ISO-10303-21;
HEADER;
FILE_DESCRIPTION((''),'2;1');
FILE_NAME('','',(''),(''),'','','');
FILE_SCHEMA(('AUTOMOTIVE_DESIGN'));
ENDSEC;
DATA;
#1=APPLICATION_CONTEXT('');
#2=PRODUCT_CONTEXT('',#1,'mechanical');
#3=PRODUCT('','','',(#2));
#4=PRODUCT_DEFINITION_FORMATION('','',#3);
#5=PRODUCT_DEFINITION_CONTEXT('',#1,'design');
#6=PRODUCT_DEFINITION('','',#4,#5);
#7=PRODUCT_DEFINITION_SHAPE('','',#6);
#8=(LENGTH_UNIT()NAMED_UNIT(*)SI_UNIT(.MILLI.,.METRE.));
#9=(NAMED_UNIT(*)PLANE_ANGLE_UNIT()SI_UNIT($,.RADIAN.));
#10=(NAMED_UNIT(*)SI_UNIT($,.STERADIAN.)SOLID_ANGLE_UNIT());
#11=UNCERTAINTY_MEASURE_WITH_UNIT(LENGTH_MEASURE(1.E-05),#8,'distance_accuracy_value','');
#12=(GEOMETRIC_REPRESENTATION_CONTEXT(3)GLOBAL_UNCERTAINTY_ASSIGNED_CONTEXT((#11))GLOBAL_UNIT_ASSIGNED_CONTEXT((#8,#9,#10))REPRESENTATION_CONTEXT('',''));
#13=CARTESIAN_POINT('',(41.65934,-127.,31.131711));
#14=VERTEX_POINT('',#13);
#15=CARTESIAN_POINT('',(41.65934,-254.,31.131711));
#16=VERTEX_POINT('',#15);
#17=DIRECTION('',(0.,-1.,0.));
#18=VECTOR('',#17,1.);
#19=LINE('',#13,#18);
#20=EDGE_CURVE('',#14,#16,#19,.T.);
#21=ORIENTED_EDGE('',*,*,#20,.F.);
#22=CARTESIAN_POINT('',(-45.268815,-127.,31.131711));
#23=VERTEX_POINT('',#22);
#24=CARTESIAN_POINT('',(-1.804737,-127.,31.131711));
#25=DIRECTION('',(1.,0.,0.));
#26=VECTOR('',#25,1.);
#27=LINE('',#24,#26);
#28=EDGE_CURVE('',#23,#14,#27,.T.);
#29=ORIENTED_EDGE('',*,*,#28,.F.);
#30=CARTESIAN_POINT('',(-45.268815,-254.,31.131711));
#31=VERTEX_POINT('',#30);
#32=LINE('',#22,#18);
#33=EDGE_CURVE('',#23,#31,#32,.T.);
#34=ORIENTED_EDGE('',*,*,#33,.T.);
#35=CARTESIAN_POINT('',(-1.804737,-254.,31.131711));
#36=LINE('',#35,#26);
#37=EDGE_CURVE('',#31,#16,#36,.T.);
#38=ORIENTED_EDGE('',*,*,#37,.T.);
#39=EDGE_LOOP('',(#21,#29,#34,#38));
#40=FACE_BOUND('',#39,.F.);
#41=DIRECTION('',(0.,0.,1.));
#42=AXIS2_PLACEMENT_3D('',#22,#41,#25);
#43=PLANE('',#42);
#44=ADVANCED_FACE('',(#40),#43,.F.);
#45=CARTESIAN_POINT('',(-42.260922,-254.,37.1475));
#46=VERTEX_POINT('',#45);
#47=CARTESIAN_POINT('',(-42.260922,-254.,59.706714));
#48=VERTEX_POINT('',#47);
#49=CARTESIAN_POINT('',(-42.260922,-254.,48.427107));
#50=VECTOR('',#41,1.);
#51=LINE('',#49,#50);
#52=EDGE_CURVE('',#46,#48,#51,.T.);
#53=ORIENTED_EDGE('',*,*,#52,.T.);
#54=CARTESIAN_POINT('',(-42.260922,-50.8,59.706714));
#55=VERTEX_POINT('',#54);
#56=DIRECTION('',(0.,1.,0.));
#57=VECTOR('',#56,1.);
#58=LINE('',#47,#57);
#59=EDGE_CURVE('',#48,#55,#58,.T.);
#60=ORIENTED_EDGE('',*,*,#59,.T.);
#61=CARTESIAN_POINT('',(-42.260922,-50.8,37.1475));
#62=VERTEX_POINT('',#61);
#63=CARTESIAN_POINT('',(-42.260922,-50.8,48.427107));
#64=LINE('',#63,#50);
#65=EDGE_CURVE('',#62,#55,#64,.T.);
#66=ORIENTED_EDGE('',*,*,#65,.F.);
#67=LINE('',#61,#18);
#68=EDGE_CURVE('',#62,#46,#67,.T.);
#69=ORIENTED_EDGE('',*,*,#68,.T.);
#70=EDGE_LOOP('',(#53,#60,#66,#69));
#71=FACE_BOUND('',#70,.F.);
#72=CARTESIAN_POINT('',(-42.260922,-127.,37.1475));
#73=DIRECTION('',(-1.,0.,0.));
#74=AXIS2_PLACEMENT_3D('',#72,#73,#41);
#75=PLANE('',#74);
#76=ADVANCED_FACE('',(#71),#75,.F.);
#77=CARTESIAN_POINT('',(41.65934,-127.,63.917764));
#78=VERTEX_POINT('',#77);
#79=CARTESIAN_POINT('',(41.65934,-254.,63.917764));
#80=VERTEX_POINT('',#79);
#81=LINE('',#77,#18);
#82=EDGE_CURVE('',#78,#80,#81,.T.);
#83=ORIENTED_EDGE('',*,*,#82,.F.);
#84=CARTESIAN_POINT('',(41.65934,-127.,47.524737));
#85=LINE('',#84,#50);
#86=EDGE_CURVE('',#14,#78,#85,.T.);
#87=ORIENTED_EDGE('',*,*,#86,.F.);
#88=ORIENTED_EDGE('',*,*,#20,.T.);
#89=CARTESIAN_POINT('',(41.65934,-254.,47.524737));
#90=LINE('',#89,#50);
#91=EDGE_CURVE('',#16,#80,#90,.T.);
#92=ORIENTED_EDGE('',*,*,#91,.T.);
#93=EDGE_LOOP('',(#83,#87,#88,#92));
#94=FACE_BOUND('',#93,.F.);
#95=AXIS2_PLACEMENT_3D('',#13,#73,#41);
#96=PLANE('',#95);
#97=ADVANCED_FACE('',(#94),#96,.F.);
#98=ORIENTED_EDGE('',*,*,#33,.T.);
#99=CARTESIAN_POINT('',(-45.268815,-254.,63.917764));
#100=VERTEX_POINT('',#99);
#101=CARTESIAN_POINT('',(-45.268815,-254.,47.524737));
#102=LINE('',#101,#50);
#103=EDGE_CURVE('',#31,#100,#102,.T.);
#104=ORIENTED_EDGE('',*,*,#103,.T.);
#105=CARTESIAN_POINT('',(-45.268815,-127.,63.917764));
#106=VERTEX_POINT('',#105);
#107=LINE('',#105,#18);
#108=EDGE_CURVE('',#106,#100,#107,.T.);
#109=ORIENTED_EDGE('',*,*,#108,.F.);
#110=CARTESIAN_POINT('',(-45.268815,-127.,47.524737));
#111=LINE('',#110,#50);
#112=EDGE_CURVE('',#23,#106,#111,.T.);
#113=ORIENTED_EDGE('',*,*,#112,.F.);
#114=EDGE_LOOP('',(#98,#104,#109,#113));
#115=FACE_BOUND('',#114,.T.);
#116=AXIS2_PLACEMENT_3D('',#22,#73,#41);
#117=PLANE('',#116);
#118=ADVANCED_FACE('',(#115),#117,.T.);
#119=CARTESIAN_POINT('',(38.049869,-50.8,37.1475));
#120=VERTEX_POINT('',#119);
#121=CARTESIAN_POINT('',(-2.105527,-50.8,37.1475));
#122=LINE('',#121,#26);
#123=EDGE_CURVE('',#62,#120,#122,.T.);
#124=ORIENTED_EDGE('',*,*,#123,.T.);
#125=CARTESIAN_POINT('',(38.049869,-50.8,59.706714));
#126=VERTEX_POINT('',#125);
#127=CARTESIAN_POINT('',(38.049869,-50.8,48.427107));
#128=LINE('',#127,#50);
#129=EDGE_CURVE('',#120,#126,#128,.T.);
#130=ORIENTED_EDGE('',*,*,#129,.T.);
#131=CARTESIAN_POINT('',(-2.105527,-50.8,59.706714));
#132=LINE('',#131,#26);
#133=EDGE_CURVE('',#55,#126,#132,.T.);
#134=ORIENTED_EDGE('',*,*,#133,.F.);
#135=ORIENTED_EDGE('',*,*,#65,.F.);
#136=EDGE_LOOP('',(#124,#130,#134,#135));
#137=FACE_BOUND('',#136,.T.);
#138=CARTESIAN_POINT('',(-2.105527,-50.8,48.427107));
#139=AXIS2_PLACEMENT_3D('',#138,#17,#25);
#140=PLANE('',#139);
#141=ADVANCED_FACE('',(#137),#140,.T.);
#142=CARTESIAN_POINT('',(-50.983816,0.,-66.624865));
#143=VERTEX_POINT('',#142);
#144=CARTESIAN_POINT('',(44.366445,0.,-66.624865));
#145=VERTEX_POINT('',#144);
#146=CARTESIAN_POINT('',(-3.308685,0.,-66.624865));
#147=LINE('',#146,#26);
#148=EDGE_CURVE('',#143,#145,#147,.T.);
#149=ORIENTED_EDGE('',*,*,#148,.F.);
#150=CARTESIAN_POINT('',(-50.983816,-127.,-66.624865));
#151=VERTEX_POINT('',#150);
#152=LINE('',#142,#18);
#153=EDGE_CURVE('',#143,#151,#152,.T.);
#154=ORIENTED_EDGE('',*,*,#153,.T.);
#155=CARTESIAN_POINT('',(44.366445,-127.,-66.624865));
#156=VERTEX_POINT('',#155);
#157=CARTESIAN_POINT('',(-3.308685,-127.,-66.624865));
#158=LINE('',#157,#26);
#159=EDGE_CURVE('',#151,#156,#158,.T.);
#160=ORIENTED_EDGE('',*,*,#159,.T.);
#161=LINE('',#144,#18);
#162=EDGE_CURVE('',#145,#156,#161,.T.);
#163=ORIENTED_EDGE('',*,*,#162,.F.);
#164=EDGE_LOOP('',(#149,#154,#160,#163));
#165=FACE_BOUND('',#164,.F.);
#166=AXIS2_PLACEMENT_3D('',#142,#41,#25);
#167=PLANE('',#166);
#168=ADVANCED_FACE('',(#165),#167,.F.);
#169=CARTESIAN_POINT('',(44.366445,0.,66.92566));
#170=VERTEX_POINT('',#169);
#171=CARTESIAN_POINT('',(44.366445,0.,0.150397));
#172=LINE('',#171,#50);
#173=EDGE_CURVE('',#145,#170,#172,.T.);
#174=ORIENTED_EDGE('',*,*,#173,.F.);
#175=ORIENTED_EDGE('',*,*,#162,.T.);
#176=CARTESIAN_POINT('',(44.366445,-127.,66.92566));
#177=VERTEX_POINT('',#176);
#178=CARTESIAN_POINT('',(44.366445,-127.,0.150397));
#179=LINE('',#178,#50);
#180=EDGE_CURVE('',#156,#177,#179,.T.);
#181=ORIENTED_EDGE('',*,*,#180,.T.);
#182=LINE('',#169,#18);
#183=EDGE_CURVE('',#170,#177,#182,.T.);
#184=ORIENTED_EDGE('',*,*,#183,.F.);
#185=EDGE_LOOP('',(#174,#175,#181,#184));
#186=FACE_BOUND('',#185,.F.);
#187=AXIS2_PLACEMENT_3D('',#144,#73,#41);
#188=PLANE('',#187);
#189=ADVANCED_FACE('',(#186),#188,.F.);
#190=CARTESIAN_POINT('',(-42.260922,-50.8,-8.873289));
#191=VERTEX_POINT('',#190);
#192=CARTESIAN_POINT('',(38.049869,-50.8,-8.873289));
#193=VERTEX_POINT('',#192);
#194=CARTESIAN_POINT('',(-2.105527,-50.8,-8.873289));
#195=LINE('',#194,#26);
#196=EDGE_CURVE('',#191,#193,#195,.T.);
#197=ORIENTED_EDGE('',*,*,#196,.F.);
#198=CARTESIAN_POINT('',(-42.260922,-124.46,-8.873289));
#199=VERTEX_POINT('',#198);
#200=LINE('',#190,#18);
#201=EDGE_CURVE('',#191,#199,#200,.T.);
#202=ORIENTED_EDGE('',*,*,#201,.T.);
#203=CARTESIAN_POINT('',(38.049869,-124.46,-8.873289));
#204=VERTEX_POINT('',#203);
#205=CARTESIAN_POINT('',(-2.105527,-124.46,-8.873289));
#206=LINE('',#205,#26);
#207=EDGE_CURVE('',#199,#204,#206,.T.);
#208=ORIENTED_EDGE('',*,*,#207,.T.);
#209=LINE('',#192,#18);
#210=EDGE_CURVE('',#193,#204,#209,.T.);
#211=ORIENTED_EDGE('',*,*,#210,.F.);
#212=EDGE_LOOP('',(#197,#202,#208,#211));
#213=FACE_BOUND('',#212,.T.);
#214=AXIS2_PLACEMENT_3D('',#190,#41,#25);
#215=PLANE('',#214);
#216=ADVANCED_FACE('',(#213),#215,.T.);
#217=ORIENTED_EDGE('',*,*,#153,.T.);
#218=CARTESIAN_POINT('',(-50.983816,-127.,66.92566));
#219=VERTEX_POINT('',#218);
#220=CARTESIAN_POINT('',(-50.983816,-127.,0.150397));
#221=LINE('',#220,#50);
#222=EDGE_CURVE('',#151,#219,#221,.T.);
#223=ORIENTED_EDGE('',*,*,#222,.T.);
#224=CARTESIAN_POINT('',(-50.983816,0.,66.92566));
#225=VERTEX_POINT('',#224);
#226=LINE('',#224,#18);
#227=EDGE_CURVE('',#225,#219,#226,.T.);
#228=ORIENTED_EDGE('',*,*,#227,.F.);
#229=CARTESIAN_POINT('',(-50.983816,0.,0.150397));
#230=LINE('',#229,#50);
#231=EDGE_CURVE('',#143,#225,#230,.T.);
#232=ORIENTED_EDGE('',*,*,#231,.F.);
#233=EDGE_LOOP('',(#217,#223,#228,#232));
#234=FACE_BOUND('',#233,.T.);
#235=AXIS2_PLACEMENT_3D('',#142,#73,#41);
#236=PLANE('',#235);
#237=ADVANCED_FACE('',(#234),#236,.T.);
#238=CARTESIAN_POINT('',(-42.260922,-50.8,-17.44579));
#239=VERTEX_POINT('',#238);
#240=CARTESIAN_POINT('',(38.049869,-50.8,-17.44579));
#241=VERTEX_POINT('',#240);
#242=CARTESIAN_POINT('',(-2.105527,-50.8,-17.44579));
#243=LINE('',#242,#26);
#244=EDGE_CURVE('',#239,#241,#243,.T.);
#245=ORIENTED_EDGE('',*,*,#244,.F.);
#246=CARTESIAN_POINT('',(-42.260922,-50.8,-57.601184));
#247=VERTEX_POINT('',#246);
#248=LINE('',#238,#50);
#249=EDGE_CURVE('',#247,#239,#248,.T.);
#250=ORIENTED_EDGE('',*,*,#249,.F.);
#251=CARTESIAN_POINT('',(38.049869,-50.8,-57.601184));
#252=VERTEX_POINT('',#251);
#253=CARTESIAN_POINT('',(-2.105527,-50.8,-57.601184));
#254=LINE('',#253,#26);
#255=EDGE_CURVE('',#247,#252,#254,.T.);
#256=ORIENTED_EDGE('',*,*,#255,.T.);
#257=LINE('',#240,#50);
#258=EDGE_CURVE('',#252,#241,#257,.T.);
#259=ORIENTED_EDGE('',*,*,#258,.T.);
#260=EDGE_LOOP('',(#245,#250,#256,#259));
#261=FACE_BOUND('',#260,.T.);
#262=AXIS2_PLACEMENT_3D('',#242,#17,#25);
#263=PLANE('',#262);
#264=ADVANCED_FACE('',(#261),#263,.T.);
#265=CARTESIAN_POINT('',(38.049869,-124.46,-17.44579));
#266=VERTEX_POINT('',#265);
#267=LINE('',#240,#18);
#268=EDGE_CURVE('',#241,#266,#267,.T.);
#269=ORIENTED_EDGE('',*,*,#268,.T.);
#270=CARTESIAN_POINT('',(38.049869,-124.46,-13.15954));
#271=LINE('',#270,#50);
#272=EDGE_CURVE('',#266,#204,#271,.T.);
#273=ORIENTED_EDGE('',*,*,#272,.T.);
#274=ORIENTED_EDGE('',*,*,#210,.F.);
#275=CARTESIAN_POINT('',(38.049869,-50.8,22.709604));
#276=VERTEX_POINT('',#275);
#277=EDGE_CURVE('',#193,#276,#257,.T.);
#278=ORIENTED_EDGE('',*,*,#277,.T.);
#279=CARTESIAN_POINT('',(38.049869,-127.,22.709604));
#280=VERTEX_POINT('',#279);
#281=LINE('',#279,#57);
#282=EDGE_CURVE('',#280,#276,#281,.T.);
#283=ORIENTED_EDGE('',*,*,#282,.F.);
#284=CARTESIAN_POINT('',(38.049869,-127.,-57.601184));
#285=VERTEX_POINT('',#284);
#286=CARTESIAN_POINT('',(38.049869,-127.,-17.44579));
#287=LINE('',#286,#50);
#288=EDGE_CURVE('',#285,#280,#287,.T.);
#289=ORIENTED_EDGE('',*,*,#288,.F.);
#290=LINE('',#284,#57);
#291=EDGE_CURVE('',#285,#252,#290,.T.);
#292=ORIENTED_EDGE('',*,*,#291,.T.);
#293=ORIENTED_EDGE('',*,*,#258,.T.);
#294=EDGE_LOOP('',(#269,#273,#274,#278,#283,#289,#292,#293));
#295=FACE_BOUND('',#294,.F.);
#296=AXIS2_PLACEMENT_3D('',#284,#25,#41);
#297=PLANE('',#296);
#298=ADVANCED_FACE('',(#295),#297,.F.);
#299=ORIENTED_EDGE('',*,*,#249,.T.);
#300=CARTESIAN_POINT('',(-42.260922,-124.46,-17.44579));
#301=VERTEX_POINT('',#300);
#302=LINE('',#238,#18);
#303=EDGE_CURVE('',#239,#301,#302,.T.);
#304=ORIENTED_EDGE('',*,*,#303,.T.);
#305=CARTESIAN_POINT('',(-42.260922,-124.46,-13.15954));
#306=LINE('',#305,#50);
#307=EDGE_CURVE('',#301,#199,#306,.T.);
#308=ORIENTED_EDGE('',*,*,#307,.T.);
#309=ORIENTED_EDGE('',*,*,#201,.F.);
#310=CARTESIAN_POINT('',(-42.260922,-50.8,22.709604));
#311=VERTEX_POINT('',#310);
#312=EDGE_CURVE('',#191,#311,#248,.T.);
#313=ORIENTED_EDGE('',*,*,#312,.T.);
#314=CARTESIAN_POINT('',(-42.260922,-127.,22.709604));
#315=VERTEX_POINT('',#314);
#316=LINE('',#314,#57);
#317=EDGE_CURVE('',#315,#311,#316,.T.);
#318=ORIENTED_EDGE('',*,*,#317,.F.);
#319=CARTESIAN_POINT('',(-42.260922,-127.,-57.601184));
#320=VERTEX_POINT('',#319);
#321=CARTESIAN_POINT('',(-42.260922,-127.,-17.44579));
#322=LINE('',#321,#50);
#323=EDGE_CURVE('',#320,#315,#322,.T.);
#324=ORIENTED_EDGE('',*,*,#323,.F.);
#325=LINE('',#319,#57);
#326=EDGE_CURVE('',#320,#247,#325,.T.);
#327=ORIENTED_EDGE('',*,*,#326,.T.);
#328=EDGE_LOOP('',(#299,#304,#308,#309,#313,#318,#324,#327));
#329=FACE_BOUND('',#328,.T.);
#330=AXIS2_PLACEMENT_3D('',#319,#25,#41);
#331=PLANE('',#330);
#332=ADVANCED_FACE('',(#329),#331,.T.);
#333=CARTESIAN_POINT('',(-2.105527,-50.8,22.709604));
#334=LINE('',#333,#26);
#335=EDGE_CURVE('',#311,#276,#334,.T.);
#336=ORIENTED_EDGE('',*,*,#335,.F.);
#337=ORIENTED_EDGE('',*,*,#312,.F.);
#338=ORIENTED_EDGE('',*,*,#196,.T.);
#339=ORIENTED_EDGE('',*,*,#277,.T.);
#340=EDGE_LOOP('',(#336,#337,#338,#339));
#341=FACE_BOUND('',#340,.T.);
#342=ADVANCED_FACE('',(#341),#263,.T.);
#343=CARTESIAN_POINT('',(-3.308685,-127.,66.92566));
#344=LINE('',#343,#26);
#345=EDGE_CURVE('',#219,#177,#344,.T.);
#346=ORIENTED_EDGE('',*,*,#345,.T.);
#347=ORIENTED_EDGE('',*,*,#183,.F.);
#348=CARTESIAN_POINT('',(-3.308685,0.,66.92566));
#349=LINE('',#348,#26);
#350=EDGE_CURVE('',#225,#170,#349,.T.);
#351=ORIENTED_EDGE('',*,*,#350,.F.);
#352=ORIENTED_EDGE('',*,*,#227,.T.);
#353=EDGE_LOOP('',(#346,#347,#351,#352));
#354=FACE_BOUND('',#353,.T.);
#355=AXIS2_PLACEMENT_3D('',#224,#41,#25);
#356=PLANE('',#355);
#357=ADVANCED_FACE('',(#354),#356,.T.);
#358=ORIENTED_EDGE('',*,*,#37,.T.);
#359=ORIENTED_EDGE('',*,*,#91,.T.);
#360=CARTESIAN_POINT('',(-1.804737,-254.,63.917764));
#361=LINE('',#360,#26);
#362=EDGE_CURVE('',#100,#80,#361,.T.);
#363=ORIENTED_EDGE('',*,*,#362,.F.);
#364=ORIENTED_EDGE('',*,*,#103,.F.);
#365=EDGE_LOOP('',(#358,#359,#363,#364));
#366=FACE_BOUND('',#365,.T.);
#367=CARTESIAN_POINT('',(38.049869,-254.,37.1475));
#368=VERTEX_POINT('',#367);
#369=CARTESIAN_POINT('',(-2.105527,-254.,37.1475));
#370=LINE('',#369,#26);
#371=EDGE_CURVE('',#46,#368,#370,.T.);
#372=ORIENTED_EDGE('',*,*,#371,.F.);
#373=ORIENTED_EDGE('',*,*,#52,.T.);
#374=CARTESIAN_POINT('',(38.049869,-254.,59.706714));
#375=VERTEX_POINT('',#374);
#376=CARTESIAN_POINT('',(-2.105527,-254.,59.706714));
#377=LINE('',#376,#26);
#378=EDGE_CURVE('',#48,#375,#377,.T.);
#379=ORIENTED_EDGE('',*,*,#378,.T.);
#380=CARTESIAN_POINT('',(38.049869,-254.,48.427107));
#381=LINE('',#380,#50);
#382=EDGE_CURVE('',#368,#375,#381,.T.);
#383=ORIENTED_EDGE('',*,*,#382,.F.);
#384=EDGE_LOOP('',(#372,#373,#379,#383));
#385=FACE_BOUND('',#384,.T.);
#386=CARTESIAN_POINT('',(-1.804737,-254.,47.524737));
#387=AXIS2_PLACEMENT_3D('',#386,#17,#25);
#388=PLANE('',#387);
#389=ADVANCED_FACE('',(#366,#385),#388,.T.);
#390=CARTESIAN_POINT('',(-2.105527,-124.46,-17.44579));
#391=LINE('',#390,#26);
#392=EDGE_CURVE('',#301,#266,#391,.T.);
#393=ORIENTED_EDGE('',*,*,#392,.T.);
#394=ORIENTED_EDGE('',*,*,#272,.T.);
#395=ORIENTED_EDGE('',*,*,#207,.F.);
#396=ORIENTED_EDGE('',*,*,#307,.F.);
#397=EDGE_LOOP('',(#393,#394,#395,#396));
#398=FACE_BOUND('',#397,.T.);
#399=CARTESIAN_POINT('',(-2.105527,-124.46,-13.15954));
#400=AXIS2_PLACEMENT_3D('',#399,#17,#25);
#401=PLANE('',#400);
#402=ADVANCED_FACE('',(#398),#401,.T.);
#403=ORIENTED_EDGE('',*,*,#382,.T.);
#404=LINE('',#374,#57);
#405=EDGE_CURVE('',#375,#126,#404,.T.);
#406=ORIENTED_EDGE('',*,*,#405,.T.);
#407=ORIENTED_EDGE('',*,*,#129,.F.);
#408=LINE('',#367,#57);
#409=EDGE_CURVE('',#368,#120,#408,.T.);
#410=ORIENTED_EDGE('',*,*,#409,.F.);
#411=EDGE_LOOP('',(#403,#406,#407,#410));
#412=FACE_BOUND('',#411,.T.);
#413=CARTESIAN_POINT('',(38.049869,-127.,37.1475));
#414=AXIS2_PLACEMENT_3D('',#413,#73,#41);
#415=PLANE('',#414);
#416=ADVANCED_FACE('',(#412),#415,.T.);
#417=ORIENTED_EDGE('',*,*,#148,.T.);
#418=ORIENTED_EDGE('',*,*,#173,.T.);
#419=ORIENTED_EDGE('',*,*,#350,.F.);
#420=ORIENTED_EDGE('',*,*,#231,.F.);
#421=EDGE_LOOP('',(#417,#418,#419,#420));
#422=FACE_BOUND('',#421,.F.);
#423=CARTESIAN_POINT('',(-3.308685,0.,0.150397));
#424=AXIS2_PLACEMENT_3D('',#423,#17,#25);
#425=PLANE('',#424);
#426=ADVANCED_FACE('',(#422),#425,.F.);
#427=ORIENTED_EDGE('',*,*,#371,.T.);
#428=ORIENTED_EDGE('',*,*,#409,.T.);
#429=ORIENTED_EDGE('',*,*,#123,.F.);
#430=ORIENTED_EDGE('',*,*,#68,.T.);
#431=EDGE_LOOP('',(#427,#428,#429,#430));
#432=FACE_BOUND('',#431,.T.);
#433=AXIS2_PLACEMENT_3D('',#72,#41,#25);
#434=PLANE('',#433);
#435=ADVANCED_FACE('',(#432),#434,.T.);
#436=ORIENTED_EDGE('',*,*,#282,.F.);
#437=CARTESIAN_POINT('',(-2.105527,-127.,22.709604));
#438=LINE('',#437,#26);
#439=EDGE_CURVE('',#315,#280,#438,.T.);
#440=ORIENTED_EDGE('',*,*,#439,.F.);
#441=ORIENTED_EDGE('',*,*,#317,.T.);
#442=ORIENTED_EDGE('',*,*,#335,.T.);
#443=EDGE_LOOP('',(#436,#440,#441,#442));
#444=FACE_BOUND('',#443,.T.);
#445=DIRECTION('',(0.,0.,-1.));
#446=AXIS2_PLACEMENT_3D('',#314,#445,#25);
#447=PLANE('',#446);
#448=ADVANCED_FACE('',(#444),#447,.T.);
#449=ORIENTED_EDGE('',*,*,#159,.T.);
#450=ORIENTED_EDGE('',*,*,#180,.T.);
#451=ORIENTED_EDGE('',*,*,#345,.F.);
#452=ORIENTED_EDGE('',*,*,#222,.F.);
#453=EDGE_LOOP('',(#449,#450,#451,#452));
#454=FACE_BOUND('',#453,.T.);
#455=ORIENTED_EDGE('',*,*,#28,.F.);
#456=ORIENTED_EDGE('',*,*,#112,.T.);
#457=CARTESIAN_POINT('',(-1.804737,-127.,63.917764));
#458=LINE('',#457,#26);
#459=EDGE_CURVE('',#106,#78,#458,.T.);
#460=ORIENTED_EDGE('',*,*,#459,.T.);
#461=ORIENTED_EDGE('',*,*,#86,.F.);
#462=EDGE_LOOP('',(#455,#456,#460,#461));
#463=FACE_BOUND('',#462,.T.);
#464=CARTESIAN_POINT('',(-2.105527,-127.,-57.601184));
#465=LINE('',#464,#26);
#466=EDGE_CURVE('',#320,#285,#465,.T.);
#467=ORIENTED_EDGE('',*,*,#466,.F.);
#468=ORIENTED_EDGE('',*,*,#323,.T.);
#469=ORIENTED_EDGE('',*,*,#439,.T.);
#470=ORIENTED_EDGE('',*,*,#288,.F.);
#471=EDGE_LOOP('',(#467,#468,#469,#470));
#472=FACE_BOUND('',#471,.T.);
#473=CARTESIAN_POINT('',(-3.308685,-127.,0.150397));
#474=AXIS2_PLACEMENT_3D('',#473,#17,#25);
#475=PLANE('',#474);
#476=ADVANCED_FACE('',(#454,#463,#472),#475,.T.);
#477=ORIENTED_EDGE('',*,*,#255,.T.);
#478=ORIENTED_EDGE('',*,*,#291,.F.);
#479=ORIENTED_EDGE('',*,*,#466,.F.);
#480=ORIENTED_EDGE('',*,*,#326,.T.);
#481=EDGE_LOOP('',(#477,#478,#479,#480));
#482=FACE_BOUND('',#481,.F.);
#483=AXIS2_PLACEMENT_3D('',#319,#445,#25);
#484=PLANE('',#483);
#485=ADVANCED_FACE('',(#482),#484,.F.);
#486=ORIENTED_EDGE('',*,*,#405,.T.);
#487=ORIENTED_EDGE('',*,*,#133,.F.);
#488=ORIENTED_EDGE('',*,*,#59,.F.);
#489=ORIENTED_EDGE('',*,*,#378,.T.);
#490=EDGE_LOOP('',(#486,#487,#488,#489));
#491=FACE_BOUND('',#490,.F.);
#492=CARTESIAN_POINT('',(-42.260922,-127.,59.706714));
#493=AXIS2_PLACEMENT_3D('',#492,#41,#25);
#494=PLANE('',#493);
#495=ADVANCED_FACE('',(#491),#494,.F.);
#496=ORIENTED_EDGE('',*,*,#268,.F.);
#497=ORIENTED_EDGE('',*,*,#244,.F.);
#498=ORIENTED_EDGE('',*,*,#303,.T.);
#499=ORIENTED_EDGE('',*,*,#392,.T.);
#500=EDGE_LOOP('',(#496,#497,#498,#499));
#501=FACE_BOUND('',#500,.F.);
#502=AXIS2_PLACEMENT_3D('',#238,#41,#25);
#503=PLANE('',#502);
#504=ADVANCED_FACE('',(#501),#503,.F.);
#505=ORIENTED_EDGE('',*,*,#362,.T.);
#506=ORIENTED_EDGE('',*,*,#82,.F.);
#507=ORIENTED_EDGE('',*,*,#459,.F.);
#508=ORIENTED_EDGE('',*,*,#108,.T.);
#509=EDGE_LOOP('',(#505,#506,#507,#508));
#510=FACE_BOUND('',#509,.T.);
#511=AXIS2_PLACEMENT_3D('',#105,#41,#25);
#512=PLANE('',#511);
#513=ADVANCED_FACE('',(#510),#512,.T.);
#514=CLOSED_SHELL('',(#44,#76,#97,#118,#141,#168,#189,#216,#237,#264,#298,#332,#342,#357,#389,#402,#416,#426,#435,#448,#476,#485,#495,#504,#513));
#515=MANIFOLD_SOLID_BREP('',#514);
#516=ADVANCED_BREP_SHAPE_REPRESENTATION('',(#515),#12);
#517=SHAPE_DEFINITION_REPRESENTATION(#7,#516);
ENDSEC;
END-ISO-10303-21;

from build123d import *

# Parameters (mm, degrees)
F0_W     = 95.3502617776
F0_H     = 133.5505247116
F1_DEPTH = 127
F2_W     = 80.3107917309
F2_H     = 22.5592143834
F2_H_2   = 80.3107880056
F3_DEPTH = 76.2
F4_W     = 80.3107917309
F4_H     = 8.5725001991
F5_DEPTH = 73.66
F6_W     = 86.9281552732
F6_H     = 32.7860526741
F6_W_2   = 80.3107917309
F6_H_2   = 22.5592143834
F7_DEPTH = 127


with BuildPart() as f1:
    # F0 (on Front) → F1 (new body)
    with BuildSketch(Plane.XZ):
        with Locations((-3.3086854964, 0.1503974199)):
            Rectangle(F0_W, F0_H)
    extrude(amount=F1_DEPTH)

    # F2 (on face) → F3 (cut)
    with BuildSketch(Plane.XZ.offset(127)):
        with Locations((-2.1055266261, 48.4271068126)):
            Rectangle(F2_W, F2_H)
        with Locations((-2.1055266261, -17.4457896501)):
            Rectangle(F2_W, F2_H_2)
    extrude(amount=-F3_DEPTH, mode=Mode.SUBTRACT)

    # F4 (on face) → F5 (join)
    with BuildSketch(Plane.XZ.offset(50.8)):
        with Locations((-2.1055266261, -13.1595395505)):
            Rectangle(F4_W, F4_H)
    extrude(amount=F5_DEPTH)

    # F6 (on face) → F7 (join)
    with BuildSketch(Plane.XZ.offset(127)):
        with Locations((-1.8047373742, 47.5247371942)):
            Rectangle(F6_W, F6_H)
        with Locations((-2.1055266261, 48.4271068126)):
            Rectangle(F6_W_2, F6_H_2, mode=Mode.SUBTRACT)
    extrude(amount=F7_DEPTH)


solid = f1.part
